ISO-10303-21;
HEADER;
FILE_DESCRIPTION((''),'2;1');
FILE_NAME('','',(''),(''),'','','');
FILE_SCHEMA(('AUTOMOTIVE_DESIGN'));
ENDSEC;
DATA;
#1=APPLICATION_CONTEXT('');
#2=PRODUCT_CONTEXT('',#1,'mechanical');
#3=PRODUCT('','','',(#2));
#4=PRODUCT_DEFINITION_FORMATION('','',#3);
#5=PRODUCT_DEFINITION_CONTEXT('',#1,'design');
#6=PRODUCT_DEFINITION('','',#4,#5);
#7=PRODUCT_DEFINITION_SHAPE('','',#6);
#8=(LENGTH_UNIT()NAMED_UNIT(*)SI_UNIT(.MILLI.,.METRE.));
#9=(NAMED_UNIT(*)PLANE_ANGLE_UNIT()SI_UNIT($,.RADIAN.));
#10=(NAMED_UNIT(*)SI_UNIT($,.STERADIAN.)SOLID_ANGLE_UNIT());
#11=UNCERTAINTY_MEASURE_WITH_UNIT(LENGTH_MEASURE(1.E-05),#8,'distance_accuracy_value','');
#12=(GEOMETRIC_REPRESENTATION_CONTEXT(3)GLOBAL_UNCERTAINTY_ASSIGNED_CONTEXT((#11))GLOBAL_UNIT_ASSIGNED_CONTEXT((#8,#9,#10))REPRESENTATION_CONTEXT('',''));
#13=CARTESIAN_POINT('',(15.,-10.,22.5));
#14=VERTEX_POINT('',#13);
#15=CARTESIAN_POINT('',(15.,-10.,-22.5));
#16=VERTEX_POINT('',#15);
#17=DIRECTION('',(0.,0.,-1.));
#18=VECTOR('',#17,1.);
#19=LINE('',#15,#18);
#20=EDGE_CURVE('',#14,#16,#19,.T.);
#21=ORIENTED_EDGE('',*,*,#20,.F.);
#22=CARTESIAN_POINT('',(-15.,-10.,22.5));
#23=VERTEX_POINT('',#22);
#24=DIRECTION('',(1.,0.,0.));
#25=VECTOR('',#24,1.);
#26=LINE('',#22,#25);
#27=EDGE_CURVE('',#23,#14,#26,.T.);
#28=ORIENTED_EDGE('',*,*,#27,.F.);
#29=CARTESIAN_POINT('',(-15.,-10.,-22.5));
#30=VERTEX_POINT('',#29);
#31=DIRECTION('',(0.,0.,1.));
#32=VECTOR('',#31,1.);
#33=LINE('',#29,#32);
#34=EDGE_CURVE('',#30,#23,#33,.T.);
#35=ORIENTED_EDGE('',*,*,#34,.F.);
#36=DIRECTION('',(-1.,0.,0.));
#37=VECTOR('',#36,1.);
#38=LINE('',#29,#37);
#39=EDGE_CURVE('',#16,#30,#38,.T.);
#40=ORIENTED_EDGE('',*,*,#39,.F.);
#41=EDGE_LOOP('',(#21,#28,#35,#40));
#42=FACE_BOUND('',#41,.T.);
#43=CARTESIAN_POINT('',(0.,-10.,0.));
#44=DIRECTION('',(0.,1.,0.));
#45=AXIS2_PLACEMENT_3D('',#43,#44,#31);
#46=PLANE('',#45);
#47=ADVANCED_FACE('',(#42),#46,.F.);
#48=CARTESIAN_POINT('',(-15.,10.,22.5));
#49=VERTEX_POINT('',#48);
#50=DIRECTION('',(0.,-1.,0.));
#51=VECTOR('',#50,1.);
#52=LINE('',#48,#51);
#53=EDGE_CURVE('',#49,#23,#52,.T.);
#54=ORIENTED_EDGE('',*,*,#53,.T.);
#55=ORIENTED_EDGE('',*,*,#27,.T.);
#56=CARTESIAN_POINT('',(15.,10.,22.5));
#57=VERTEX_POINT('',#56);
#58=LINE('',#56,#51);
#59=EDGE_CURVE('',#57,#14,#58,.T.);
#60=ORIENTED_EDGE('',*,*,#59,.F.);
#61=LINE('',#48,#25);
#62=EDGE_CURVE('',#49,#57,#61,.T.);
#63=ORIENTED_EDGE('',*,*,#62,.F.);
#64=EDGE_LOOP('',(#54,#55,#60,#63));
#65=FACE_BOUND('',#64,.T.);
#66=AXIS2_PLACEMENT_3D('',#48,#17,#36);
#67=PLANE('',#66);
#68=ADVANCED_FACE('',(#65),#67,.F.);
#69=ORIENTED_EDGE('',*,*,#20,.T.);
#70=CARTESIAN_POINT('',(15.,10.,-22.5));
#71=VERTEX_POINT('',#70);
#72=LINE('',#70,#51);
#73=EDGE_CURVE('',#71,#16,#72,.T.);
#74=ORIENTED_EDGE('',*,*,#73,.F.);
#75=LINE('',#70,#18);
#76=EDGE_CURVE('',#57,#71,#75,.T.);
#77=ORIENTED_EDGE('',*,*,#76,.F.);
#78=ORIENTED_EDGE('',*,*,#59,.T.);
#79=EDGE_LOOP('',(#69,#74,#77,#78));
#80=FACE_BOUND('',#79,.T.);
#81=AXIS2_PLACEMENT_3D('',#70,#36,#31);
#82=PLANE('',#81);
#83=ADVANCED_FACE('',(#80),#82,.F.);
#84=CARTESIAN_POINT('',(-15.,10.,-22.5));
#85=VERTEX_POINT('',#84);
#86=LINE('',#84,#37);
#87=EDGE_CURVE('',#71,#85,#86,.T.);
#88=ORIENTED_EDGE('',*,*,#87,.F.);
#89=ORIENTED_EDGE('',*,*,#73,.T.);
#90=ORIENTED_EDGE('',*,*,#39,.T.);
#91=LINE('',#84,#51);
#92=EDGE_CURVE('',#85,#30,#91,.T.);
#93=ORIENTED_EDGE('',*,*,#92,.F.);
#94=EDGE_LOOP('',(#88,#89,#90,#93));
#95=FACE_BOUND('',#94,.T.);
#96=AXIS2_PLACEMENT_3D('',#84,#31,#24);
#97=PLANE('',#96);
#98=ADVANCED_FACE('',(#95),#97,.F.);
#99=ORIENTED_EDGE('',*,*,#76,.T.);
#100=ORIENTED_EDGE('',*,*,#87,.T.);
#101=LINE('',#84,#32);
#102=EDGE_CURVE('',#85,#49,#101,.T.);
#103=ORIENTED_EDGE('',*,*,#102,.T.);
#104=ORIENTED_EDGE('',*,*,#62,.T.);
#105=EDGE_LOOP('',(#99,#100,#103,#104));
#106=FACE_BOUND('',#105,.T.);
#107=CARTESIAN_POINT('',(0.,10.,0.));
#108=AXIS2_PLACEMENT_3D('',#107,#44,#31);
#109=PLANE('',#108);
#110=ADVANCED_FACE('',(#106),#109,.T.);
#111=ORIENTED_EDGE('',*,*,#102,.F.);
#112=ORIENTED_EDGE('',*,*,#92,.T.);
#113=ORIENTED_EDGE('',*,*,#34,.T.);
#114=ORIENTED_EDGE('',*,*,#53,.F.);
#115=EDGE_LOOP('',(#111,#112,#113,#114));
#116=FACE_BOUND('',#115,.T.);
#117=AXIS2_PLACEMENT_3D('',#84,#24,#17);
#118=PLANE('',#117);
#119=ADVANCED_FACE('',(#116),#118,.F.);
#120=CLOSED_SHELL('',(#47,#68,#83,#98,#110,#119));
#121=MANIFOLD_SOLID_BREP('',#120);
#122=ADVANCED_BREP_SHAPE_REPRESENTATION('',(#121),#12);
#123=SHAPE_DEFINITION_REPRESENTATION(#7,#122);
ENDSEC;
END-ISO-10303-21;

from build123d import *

# Parameters (mm, degrees)
SKETCH1_W           = 30
SKETCH1_H           = 45
BOSS_EXTRUDE1_DEPTH = 10


with BuildPart() as part:
    # Sketch1 → Boss-Extrude1 (new, symmetric)
    with BuildSketch(Plane(origin=(0, 0, 0), x_dir=(1, 0, 0), z_dir=(0, 1, 0))):
        Rectangle(SKETCH1_W, SKETCH1_H)
    extrude(amount=BOSS_EXTRUDE1_DEPTH, both=True)


solid = part.part
